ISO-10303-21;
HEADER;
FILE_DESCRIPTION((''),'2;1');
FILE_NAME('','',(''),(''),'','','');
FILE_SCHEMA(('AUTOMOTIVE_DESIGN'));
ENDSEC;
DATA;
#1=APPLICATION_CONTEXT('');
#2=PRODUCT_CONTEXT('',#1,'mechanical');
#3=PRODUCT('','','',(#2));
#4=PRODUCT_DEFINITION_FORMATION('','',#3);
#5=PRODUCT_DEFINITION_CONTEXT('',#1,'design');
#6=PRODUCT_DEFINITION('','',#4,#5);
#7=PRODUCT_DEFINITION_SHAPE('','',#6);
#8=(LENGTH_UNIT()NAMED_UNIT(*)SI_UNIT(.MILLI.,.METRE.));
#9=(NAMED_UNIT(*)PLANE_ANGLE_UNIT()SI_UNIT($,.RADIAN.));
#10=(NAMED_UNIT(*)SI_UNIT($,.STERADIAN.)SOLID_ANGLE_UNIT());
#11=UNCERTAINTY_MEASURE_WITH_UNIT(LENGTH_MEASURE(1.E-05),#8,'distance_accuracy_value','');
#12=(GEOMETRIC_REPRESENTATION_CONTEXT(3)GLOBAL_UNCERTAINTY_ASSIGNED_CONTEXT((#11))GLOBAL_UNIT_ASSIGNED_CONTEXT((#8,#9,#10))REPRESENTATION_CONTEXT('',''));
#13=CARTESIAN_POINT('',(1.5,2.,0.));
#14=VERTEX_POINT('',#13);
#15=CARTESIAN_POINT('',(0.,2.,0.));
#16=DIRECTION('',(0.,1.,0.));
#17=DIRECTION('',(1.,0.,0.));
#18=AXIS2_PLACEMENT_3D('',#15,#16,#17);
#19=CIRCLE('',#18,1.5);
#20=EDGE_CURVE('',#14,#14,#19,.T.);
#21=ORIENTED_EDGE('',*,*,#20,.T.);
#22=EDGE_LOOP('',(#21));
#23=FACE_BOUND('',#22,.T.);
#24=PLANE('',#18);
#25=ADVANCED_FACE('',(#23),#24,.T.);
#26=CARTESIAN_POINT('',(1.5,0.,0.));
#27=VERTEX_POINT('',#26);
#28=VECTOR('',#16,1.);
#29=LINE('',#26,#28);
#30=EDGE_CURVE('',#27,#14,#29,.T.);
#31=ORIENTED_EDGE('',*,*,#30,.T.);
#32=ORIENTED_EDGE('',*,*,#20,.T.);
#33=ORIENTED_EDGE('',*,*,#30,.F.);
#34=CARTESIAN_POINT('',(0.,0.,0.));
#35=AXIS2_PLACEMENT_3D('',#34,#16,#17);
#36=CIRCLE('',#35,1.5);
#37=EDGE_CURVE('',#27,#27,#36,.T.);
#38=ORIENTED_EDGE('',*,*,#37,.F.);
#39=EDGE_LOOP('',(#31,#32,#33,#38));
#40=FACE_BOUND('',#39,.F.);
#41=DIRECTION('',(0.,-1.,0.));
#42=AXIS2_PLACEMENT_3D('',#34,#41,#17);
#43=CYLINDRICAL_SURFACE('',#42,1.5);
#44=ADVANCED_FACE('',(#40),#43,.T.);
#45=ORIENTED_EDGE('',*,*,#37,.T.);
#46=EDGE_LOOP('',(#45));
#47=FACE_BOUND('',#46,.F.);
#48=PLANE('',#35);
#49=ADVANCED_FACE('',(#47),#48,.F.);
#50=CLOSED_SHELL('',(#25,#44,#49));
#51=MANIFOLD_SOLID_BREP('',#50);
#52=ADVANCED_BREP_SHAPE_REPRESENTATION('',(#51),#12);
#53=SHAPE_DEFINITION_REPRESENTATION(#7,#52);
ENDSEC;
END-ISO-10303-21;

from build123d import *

# Parameters (mm, degrees)
SKETCH1_R           = 1.5
BOSS_EXTRUDE1_DEPTH = 2


with BuildPart() as part:
    # Sketch1 → Boss-Extrude1 (new body)
    with BuildSketch(Plane(origin=(0, 0, 0), x_dir=(1, 0, 0), z_dir=(0, 1, 0))):
        Circle(SKETCH1_R)
    extrude(amount=BOSS_EXTRUDE1_DEPTH)


solid = part.part
